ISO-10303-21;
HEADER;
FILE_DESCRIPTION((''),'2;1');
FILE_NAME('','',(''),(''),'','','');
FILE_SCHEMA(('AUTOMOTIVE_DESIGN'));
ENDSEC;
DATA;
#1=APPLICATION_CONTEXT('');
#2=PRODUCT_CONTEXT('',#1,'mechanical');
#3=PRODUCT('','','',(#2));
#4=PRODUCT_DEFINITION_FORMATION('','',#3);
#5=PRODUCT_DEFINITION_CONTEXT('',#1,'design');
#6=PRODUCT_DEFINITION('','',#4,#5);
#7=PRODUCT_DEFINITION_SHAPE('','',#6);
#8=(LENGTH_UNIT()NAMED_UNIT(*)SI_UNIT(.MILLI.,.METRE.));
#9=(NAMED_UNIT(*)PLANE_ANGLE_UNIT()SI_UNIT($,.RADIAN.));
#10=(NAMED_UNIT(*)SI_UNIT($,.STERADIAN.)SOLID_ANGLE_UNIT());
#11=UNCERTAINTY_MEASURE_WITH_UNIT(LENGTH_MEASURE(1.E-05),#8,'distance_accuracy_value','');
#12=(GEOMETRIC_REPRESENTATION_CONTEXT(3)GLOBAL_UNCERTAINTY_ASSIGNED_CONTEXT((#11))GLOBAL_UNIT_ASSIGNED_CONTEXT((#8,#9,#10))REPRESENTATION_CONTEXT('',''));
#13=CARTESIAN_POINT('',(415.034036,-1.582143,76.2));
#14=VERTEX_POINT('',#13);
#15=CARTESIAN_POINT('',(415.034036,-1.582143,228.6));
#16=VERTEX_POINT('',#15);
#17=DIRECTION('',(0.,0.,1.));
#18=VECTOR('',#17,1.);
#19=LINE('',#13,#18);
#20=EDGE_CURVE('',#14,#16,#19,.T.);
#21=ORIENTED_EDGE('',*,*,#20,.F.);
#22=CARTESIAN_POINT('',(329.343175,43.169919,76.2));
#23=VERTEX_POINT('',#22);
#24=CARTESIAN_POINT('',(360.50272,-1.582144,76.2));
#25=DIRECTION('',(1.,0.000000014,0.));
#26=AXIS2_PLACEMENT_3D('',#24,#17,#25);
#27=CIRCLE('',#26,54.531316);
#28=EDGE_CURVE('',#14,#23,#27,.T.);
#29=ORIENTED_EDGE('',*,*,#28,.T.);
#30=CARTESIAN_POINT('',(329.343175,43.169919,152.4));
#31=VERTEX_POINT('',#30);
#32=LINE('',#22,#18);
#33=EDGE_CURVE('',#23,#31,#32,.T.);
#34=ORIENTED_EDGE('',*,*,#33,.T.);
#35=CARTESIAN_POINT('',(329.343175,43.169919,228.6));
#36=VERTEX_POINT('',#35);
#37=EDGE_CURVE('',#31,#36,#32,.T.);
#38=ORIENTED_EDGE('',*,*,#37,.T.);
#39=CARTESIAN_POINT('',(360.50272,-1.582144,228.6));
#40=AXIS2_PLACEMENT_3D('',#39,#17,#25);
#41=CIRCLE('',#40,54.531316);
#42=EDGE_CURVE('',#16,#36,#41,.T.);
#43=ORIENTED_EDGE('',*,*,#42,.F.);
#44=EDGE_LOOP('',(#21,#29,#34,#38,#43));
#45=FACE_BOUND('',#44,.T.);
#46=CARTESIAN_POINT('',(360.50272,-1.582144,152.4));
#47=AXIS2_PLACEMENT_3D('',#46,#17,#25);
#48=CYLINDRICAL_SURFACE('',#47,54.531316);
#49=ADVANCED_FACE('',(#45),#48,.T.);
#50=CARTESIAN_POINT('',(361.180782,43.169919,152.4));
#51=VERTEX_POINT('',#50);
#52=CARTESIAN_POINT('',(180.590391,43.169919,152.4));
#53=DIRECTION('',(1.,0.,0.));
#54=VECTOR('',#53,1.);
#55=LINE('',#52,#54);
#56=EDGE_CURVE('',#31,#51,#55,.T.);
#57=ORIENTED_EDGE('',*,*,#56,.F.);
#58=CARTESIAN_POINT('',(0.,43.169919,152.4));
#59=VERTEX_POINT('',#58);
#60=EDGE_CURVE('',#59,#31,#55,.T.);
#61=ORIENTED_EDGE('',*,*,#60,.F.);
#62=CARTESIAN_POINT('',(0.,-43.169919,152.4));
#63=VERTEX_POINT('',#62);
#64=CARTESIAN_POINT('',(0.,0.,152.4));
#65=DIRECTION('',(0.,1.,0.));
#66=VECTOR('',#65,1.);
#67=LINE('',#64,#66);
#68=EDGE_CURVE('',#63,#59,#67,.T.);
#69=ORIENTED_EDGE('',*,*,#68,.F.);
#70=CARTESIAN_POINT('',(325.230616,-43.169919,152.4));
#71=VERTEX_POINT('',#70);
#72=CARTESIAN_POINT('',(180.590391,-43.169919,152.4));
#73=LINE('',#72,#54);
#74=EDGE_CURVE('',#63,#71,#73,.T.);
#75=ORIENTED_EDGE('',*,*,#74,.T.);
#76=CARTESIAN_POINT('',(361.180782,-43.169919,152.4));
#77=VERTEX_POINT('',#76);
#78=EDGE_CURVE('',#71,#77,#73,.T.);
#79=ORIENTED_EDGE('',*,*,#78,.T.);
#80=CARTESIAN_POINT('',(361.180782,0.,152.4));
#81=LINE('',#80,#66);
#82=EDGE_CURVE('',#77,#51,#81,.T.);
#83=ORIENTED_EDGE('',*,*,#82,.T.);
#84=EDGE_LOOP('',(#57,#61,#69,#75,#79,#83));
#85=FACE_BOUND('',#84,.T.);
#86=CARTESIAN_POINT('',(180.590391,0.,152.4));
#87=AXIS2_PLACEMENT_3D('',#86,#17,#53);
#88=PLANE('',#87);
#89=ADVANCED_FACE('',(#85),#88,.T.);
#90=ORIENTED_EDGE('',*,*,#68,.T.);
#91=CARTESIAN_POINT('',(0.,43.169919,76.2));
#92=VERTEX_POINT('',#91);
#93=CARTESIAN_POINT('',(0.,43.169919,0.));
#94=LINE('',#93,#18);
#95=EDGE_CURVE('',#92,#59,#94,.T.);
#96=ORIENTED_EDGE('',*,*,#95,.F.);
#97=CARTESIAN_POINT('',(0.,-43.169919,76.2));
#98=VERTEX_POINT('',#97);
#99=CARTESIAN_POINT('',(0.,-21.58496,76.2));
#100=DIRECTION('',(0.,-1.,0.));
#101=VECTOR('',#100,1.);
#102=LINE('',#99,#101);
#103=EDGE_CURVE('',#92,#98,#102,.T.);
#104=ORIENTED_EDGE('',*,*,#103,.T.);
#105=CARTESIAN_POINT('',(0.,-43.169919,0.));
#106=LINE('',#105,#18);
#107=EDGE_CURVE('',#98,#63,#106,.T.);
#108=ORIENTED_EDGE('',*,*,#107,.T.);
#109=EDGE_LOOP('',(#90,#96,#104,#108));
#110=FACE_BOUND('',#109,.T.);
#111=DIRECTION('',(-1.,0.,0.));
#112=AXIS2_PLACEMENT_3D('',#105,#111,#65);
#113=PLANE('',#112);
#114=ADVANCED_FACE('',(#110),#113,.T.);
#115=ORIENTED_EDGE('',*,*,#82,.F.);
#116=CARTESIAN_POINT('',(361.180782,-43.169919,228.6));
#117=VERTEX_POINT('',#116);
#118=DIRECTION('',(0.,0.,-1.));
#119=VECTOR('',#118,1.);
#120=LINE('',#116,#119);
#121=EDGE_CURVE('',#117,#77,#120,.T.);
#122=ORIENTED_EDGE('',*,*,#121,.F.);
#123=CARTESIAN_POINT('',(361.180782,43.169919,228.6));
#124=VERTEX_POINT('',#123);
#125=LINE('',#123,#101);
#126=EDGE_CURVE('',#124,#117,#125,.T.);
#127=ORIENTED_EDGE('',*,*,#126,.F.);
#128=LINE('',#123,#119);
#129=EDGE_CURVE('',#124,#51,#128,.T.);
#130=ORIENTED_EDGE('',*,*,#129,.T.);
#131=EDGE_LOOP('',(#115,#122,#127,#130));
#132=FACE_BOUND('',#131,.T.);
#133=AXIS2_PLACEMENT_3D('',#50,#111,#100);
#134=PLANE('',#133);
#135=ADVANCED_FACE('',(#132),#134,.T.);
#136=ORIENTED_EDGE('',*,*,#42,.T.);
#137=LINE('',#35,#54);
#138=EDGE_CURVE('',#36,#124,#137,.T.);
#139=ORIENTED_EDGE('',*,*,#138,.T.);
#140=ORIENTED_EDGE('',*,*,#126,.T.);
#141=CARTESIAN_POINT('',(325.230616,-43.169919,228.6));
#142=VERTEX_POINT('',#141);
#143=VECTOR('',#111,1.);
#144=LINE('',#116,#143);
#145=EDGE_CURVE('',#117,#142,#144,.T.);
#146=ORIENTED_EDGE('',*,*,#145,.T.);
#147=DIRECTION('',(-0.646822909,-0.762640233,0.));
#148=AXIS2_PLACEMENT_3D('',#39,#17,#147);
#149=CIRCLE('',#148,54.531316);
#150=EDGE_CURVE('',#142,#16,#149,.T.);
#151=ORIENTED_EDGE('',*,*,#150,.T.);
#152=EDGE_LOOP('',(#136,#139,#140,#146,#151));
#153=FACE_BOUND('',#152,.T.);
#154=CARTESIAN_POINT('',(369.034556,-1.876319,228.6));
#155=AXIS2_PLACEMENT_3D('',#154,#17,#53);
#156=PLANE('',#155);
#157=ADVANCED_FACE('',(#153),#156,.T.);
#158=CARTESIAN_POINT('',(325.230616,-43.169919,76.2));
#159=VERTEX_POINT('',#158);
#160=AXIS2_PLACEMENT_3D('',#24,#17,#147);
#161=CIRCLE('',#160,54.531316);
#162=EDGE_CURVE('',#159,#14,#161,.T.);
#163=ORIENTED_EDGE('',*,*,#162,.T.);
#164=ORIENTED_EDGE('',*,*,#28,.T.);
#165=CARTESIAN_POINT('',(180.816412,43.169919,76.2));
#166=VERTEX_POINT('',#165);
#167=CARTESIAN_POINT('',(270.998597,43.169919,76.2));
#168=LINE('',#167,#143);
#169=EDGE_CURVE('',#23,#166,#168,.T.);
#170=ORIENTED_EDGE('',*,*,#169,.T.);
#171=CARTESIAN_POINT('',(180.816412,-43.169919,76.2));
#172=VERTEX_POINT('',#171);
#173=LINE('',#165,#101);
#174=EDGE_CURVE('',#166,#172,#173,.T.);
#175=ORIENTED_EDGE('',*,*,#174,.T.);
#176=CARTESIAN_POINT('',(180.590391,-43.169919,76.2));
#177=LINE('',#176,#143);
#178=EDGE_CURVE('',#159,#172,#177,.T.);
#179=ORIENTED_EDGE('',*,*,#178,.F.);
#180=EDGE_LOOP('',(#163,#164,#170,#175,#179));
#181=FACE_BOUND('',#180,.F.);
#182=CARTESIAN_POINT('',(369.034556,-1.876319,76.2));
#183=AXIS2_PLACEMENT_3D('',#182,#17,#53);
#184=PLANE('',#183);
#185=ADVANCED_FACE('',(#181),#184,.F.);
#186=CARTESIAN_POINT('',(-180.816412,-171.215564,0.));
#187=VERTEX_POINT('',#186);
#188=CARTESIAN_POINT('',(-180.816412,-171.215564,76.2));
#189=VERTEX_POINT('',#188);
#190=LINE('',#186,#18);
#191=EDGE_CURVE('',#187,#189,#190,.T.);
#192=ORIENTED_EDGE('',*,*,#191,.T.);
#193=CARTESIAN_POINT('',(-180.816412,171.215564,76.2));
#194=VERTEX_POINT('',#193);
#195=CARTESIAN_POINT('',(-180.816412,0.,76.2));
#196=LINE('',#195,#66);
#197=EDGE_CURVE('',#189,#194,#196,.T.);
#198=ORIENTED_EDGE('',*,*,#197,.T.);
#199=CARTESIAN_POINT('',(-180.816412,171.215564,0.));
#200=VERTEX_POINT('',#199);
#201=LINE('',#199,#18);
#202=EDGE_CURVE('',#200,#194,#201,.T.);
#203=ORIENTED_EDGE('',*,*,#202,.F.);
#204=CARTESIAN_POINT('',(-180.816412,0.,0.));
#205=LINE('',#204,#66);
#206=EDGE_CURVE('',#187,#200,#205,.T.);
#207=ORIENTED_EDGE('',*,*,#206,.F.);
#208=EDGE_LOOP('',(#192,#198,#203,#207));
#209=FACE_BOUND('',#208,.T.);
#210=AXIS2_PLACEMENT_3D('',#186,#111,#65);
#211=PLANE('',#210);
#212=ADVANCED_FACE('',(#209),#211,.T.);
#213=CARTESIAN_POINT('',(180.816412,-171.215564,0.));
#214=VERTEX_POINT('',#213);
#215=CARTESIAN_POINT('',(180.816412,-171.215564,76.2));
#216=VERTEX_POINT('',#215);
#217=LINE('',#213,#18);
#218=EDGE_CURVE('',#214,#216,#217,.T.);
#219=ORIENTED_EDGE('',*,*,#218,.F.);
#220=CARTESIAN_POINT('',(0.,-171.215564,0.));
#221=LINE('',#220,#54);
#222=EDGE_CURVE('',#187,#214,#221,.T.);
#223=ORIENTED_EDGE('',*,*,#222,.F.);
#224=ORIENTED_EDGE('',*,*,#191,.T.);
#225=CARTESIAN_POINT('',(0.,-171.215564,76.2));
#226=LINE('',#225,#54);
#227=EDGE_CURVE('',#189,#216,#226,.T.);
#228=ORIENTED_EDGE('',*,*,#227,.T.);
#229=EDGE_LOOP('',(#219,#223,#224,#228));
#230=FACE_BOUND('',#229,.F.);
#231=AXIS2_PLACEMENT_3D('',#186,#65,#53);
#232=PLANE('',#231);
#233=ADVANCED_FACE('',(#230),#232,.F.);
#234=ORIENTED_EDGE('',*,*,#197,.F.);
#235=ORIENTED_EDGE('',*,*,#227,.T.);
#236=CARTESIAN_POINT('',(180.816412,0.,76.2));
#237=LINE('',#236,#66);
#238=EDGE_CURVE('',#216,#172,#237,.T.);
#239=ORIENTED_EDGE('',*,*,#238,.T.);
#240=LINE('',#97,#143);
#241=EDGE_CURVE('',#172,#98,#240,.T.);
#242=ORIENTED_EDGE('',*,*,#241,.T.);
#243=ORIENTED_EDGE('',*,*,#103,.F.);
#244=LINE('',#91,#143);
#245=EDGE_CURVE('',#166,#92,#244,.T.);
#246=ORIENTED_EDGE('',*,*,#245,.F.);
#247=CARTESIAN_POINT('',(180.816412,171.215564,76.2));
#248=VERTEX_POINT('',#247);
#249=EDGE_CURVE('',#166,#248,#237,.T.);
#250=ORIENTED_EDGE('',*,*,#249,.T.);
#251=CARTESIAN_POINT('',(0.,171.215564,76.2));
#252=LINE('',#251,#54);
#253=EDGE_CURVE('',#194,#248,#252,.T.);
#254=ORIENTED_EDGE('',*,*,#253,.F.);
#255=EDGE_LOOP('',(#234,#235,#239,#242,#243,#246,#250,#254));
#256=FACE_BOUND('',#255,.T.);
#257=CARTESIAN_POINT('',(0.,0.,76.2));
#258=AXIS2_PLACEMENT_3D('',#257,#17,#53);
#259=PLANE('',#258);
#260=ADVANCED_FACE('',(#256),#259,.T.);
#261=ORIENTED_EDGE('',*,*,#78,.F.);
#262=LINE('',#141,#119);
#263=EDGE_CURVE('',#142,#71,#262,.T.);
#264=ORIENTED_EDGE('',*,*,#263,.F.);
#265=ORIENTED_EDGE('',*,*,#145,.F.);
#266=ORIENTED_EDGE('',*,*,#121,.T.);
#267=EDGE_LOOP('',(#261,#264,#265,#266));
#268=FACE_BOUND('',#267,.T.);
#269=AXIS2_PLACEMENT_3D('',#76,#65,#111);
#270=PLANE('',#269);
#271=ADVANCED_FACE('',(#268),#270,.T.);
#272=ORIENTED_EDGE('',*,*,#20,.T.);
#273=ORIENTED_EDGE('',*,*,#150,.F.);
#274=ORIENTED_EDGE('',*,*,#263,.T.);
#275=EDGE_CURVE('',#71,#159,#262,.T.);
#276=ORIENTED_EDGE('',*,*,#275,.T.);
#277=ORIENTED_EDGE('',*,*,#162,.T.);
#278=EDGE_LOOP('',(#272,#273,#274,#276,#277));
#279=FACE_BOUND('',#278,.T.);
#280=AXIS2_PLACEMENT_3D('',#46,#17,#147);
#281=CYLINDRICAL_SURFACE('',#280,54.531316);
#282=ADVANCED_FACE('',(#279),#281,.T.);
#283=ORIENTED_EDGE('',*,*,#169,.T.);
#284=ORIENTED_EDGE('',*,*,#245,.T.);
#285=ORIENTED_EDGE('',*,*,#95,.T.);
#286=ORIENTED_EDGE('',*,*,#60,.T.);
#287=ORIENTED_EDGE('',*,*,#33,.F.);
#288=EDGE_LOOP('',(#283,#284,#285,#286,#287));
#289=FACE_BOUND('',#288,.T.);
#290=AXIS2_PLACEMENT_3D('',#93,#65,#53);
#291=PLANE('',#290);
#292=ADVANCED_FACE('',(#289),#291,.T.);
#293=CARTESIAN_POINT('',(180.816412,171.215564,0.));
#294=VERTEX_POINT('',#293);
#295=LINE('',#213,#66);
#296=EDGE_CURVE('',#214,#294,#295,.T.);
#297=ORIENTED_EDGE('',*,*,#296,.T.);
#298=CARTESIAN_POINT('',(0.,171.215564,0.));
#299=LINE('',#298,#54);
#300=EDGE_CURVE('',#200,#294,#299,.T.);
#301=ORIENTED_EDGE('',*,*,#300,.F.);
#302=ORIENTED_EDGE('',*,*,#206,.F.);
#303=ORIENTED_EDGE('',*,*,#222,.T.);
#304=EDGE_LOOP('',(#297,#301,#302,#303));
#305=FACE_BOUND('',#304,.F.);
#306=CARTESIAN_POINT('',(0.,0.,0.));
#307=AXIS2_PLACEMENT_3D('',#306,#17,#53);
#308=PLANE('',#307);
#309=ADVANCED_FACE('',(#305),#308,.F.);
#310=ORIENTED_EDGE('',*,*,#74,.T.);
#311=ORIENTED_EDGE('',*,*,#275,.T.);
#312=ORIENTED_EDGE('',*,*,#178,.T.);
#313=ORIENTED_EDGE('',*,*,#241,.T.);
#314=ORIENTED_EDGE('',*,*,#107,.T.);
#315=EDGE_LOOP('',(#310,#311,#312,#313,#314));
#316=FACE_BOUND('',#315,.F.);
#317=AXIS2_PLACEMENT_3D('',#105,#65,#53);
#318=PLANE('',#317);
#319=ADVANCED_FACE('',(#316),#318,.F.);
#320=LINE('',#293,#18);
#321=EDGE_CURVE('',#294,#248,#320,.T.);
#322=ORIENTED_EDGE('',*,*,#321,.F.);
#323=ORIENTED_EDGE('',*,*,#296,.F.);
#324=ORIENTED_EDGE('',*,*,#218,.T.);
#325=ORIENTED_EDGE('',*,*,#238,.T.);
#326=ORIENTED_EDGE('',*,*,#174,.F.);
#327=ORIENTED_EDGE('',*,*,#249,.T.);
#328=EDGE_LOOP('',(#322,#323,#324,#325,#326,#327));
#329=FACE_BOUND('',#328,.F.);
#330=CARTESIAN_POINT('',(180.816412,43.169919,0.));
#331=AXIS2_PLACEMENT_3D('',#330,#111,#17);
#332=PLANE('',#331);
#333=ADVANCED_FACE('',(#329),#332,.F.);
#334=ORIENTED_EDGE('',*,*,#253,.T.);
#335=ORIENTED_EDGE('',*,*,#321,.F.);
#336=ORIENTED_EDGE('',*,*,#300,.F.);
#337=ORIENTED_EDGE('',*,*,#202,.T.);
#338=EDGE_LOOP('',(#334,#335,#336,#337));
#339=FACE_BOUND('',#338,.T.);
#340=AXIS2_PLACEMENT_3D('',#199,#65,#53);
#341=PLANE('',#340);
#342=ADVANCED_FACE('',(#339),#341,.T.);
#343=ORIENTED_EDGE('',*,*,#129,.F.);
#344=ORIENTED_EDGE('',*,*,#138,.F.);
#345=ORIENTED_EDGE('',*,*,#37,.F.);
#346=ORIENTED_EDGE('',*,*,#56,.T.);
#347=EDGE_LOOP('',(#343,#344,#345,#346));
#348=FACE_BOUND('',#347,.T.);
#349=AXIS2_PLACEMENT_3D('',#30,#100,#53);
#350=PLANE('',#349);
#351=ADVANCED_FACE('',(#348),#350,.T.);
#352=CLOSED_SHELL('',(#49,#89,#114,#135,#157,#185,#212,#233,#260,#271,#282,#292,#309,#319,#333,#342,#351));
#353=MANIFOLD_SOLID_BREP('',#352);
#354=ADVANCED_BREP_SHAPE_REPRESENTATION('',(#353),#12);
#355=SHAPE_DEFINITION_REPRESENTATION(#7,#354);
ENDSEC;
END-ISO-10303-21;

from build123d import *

# Parameters (mm, degrees)
F0_W     = 361.632824
F0_H     = 342.431128
F2_DEPTH = 76.2
F1_W     = 361.180782
F1_H     = 86.339838
F3_DEPTH = 152.4
F5_DEPTH = 76.2
F6_W     = 180.36437
F6_H     = 76.2
F7_DEPTH = 214.386483


with BuildPart() as f2:
    # F0 (on Top) → F2 (new body)
    with BuildSketch(Plane.XY):
        Rectangle(F0_W, F0_H)
    extrude(amount=F2_DEPTH)

    # F1 (on Top) → F3 (join)
    with BuildSketch(Plane.XY):
        with Locations((180.590391, 0)):
            Rectangle(F1_W, F1_H)
    extrude(amount=F3_DEPTH)

    # F4 (on face) → F5 (join, symmetric)
    with BuildSketch(Plane.XY.offset(152.4)):
        with BuildLine():
            ThreePointArc((325.230616, -43.169919), (383.41811, -51.064962), (415.034036, -1.582143))
            ThreePointArc((415.034036, -1.582143), (385.746466, 46.754361), (329.343175, 43.169919))
            Line((329.343175, 43.169919), (361.180782, 43.169919))
            Line((361.180782, 43.169919), (361.180782, -43.169919))
            Line((361.180782, -43.169919), (325.230616, -43.169919))
        make_face()
    extrude(amount=F5_DEPTH, both=True)

    # F6 (on face) → F7 (cut, through all)
    with BuildSketch(Plane(origin=(0, 43.169919, 0), x_dir=(-1, 0, 0), z_dir=(0, 1, 0))):
        with Locations((-270.998597, 38.1)):
            Rectangle(F6_W, F6_H)
    extrude(amount=-F7_DEPTH, mode=Mode.SUBTRACT)


solid = f2.part
